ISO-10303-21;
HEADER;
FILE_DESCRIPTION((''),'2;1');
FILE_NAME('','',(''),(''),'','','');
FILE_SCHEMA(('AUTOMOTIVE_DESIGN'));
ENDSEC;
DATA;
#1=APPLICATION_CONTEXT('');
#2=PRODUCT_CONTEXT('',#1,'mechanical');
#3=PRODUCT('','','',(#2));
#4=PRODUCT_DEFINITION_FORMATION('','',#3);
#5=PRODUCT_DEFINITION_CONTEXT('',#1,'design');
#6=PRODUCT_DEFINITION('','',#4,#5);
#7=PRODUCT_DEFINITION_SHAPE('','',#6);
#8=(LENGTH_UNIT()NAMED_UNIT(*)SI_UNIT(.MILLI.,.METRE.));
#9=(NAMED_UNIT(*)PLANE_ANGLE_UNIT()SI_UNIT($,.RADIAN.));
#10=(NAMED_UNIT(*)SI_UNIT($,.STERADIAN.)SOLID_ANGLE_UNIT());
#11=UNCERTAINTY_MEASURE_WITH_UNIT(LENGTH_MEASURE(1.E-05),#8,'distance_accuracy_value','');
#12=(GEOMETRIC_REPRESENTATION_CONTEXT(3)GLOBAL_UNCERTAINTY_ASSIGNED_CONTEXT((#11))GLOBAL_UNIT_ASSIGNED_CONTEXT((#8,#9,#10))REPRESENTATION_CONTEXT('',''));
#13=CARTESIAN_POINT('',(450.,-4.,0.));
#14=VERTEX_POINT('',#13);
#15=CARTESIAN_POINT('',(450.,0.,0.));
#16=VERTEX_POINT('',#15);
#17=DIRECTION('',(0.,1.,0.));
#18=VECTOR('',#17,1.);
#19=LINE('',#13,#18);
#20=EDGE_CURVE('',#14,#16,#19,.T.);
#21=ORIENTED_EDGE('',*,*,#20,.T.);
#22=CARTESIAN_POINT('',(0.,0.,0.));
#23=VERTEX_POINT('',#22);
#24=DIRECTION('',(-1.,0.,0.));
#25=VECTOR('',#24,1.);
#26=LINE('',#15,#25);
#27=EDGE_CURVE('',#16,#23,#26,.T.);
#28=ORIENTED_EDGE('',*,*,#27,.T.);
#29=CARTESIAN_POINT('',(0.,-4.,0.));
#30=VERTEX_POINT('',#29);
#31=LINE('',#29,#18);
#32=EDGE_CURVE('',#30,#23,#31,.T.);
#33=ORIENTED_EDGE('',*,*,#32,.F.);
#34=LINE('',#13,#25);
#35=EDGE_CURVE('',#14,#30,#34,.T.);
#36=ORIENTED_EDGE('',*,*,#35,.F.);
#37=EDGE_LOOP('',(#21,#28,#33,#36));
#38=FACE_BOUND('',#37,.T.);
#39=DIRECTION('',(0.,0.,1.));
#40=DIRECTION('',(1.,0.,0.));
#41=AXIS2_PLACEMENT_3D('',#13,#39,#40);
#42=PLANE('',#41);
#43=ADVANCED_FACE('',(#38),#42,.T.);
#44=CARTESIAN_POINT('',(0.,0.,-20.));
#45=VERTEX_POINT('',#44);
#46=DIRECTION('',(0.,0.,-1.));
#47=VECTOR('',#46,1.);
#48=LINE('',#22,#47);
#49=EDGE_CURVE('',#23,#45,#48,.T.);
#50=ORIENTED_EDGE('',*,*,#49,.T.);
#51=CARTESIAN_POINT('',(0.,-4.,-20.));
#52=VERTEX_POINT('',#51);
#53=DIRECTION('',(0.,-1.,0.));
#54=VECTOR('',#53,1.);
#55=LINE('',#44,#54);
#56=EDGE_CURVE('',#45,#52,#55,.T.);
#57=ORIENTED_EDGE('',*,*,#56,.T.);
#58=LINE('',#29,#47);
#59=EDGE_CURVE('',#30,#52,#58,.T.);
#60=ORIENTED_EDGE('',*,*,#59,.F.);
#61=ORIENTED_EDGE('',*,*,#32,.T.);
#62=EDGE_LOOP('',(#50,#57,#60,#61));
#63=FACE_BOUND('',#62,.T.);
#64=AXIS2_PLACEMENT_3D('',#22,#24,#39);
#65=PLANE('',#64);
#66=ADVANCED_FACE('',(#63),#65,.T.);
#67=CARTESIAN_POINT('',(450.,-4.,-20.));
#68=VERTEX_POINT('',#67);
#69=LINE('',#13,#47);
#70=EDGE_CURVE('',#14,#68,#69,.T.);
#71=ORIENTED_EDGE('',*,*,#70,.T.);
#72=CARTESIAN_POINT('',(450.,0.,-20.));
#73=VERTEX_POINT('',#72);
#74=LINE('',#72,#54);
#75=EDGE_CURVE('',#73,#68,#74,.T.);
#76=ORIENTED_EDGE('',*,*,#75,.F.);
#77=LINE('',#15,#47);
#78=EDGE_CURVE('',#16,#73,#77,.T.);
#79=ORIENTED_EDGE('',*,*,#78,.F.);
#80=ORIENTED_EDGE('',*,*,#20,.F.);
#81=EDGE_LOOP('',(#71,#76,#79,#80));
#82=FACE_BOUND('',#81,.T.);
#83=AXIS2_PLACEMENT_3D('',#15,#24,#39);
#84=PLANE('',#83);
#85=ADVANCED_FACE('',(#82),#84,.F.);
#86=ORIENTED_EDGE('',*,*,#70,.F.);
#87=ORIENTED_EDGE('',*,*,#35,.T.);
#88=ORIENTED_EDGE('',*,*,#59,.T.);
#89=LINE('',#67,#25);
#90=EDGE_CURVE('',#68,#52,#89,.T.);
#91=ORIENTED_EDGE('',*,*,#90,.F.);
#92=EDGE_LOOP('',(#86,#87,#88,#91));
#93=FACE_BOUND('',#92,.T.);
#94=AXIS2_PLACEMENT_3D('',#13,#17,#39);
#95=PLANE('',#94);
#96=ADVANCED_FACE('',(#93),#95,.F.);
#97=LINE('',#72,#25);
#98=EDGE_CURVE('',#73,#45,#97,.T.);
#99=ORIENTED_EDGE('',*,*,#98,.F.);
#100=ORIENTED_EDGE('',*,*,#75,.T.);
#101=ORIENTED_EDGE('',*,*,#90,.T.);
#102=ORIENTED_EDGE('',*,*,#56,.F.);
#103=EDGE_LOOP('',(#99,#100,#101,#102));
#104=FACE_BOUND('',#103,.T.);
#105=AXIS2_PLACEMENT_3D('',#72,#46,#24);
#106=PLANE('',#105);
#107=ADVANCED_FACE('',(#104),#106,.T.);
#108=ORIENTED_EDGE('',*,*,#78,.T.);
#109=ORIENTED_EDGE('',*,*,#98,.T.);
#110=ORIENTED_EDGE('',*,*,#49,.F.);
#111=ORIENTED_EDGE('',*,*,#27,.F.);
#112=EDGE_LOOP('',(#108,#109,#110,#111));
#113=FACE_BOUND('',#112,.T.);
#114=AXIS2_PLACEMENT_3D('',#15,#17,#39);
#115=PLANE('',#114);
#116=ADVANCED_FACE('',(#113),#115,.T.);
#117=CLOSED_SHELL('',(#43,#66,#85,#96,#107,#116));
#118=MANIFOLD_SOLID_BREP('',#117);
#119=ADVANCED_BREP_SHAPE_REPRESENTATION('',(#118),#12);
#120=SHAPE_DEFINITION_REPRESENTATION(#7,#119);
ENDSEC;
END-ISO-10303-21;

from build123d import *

# Parameters (mm, degrees)
SKETCH_1_W      = 20
SKETCH_1_H      = 4
EXTRUDE_1_DEPTH = 450


with BuildPart() as part:
    # Эскиз1 → Вытянуть-Тонкостенный1 (new body)
    with BuildSketch(Plane(origin=(0, 0, 0), x_dir=(0, 0, -1), z_dir=(1, 0, 0))):
        with Locations((10, -2)):
            Rectangle(SKETCH_1_W, SKETCH_1_H)
    extrude(amount=EXTRUDE_1_DEPTH)


solid = part.part
